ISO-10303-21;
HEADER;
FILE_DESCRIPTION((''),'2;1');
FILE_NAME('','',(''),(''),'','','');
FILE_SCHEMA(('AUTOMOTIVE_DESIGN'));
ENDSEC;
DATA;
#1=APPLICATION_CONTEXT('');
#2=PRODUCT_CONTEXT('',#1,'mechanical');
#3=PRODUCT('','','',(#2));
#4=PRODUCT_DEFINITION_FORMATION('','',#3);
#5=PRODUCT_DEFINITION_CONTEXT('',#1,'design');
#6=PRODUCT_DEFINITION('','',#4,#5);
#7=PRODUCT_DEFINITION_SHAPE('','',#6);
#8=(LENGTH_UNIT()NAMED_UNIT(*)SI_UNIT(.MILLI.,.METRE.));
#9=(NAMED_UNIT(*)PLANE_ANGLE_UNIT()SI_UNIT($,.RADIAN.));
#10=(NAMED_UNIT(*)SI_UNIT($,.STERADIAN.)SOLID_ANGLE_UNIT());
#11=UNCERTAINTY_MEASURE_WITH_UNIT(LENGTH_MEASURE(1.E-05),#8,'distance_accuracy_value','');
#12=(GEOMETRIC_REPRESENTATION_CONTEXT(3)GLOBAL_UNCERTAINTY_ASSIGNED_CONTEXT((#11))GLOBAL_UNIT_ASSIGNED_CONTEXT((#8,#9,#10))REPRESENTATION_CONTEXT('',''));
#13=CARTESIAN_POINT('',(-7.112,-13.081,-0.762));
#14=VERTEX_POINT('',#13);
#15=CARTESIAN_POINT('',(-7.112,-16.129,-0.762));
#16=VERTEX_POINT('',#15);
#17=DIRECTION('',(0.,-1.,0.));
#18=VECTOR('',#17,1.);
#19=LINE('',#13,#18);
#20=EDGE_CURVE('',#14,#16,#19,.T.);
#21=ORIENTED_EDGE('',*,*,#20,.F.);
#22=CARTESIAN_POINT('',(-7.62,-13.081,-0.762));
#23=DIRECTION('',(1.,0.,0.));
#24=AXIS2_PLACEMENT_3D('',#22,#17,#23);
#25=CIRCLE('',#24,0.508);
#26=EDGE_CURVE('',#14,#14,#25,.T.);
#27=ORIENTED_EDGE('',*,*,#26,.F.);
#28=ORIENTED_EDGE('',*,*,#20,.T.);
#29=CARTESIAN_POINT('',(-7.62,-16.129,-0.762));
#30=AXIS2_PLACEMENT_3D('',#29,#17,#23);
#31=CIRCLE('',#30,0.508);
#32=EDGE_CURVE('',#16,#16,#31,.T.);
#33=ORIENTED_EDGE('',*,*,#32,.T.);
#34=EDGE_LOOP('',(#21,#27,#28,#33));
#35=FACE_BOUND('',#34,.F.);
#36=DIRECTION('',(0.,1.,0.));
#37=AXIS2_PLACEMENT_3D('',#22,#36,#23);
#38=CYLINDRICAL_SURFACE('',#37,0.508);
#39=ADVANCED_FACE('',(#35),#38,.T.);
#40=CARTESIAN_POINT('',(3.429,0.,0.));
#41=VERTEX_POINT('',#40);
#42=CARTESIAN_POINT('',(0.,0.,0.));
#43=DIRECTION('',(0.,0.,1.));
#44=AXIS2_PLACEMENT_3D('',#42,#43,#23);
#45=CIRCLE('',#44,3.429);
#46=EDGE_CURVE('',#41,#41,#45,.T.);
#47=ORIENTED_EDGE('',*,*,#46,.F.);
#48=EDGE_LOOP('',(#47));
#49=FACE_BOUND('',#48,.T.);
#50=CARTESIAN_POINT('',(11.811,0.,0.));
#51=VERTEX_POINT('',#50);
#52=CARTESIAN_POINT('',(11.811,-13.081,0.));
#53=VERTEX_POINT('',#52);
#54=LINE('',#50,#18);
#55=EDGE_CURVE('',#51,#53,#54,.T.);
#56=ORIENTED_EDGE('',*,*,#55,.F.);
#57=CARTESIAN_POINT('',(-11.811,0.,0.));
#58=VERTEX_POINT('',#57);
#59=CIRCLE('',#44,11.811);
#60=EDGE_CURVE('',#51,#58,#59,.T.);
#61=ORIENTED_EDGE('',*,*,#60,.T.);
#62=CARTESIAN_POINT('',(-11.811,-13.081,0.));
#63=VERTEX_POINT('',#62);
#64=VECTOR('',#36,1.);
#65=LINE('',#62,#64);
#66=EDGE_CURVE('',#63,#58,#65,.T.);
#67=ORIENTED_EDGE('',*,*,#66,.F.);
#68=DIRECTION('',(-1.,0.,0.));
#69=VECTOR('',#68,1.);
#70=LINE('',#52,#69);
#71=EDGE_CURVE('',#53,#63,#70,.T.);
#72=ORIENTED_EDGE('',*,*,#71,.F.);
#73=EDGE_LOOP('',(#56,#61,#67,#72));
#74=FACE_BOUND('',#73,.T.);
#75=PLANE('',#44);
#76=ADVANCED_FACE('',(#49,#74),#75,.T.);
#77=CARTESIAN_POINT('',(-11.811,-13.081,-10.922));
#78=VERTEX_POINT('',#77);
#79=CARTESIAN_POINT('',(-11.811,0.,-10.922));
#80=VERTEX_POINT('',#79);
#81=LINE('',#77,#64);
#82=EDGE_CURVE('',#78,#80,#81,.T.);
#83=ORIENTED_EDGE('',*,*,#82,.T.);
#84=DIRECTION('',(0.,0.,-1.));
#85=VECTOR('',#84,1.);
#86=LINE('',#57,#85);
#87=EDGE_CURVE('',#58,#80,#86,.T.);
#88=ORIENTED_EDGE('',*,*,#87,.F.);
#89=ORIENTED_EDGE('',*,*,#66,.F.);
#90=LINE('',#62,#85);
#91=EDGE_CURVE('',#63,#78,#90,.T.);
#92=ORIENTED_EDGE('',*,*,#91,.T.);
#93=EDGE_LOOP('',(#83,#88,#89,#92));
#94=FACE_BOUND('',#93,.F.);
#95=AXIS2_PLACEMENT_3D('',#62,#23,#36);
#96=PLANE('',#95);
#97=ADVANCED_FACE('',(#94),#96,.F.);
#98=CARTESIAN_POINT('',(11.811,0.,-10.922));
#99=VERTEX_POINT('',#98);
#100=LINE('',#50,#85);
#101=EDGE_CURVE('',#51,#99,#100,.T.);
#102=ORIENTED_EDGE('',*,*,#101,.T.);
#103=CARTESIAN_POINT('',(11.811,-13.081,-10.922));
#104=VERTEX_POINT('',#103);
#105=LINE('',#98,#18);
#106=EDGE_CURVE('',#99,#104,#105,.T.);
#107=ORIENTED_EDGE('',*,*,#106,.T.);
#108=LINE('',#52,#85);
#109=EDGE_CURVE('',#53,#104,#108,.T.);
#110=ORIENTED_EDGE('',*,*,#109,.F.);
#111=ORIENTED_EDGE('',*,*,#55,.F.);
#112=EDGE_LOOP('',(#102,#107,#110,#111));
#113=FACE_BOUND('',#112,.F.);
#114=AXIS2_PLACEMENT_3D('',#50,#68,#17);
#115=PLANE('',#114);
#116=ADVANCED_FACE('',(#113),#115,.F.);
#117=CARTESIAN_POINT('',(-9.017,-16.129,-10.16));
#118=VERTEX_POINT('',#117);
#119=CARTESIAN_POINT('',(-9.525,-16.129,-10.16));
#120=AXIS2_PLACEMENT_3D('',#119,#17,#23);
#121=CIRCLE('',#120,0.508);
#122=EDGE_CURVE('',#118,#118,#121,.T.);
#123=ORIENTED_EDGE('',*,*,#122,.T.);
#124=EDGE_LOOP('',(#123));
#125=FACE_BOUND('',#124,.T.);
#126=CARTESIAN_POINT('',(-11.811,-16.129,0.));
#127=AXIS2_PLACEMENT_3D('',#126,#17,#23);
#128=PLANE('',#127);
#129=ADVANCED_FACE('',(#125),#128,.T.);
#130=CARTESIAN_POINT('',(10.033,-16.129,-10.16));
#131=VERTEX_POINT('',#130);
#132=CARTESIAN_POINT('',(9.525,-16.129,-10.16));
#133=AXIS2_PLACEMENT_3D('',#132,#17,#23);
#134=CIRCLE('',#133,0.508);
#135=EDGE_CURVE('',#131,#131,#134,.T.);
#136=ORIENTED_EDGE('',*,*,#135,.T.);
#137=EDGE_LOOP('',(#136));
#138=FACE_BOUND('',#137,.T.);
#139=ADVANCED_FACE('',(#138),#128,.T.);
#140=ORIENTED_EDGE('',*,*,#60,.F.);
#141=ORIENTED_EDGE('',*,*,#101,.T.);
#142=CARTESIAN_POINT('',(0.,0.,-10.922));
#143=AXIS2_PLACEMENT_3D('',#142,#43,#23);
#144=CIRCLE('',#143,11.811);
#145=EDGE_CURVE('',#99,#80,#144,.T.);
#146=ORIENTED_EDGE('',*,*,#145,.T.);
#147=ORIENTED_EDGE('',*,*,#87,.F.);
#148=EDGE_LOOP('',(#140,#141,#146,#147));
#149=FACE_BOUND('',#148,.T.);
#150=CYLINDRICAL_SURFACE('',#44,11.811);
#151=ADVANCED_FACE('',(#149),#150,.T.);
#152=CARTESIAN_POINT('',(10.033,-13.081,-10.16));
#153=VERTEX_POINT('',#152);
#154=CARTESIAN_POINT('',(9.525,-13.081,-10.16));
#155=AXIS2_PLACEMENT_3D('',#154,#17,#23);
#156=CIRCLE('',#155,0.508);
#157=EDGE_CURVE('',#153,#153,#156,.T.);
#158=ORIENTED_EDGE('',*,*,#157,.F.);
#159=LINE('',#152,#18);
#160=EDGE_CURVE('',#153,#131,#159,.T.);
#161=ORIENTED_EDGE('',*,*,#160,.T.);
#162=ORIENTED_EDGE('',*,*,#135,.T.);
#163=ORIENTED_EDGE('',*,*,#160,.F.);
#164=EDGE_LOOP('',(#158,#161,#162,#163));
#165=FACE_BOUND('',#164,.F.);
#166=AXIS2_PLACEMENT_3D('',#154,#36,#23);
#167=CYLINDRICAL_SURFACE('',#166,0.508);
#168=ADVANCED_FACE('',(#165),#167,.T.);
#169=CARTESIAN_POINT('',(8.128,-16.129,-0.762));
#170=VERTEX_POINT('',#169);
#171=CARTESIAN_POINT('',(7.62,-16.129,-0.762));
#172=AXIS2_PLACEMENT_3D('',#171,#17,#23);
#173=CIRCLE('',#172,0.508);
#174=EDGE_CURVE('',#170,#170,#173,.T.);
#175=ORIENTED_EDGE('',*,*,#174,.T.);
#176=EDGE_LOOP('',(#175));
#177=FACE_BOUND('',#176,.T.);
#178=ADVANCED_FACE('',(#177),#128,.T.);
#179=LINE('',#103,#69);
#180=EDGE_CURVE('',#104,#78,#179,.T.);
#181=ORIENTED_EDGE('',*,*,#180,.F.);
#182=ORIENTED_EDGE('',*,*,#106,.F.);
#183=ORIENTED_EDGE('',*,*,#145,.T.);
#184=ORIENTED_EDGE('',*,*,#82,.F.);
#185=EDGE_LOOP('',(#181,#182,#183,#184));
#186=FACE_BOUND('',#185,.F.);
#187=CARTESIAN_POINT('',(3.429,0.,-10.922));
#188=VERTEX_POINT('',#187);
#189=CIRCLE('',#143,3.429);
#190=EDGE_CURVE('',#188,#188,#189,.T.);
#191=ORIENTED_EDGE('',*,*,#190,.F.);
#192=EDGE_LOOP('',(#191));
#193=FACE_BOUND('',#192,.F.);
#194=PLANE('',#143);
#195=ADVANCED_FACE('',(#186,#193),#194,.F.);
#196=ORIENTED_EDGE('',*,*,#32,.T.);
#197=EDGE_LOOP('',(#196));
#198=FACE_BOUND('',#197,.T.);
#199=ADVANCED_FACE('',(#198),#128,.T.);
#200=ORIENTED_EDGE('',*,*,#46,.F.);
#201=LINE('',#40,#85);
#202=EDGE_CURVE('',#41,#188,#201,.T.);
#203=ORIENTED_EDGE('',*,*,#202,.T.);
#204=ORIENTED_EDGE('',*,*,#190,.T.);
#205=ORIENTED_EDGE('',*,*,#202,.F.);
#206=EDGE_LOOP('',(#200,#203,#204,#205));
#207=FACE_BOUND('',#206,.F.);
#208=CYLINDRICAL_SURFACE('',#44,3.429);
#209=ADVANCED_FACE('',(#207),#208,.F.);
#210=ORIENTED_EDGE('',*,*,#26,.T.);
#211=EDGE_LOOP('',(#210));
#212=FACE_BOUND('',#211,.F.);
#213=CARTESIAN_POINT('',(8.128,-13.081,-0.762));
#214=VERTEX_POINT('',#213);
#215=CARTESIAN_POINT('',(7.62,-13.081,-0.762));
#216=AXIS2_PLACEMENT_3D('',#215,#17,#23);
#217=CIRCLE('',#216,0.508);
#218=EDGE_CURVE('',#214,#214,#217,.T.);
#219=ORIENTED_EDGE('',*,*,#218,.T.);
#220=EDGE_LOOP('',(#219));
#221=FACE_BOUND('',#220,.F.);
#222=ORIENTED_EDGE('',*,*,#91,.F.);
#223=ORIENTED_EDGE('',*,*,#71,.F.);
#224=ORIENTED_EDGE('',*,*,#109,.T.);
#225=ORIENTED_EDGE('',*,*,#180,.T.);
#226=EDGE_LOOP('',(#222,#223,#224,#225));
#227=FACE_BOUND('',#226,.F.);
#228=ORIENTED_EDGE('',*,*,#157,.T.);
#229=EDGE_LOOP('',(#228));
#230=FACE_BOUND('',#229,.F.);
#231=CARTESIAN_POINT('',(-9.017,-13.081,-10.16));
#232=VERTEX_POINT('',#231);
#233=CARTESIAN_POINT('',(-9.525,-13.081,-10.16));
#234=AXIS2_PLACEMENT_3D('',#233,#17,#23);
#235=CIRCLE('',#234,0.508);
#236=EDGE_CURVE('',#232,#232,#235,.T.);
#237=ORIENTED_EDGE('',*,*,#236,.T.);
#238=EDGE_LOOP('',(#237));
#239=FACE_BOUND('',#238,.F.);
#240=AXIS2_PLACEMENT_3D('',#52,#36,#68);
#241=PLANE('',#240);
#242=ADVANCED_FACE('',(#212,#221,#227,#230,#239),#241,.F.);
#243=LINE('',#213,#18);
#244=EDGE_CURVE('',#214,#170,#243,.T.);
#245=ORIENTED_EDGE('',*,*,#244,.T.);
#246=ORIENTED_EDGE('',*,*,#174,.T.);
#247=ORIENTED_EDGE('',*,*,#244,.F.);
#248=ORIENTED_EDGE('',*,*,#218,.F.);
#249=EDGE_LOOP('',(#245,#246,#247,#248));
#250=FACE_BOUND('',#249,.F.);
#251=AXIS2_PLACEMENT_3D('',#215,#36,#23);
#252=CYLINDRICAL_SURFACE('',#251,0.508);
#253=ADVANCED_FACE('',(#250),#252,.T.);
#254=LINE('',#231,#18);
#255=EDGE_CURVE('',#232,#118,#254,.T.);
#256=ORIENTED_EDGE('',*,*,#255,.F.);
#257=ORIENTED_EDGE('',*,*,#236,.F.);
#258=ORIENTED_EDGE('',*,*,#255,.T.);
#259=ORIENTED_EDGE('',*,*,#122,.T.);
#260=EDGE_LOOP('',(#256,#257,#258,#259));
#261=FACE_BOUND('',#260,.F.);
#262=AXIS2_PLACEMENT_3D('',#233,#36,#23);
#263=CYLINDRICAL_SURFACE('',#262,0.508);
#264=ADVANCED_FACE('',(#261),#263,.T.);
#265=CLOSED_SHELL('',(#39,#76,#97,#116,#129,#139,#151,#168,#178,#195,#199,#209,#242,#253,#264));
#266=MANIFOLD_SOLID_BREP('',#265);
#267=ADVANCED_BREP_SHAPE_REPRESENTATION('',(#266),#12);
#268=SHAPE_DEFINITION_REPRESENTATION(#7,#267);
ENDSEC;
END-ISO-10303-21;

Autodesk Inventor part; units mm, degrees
ref_plane "YZ Plane" through (0, 0, 0) normal (1, 0, 0) x (0, 1, 0)
ref_plane "XZ Plane" through (0, 0, 0) normal (0, 1, 0) x (-1, 0, 0)
ref_plane "XY Plane" through (0, 0, 0) normal (0, 0, 1) x (1, 0, 0)
sketch "Sketch1" plane through (0, 0, 0) normal (0, 0, 1) x (1, 0, 0)
  circle A0 centre (0, 0) radius 3.429
  arc A1 (11.811, 0) -> (-11.811, 0) centre (0, 0) ccw
  line L0 (11.811, 0) -> (11.811, -13.081)
  line L1 (11.811, -13.081) -> (-11.811, -13.081)
  line L2 (-11.811, -13.081) -> (-11.811, 0)
  dimension "d0" = 6.858
  dimension "d2" = 23.622
  dimension "d3" = 13.081
  dimension "d4" = 13.081
extrude "Extrusion1" add sketch "Sketch1" against normal blind 10.922
sketch "Sketch2" plane through (-11.811, -13.081, 0) normal (0, -1, 0) x (1, 0, 0)
  line L0 (0, 0) -> (0, -10.922) projected
  line L1 (23.622, -10.922) -> (0, -10.922) projected
  circle A0 centre (4.191, -0.762) radius 0.508
  circle A1 centre (2.286, -10.16) radius 0.508
  circle A2 centre (21.336, -10.16) radius 0.508
  circle A3 centre (19.431, -0.762) radius 0.508
  point P0 (11.811, 0)
  dimension "d7" = 1.016
  dimension "d9" = 1.016
  dimension "d10" = 1.016
  dimension "d11" = 1.016
  dimension "d12" = 15.24
  dimension "d13" = 9.398
  dimension "d14" = 9.398
  dimension "d15" = 19.05
  dimension "d16" = 1.905
  dimension "d18" = 0
  dimension "d19" = 1.905
  dimension "d20" = 2.286
  dimension "d21" = 0.762
extrude "Extrusion2" add sketch "Sketch2" along normal blind 3.048
properties part number "cr8348-1000"
